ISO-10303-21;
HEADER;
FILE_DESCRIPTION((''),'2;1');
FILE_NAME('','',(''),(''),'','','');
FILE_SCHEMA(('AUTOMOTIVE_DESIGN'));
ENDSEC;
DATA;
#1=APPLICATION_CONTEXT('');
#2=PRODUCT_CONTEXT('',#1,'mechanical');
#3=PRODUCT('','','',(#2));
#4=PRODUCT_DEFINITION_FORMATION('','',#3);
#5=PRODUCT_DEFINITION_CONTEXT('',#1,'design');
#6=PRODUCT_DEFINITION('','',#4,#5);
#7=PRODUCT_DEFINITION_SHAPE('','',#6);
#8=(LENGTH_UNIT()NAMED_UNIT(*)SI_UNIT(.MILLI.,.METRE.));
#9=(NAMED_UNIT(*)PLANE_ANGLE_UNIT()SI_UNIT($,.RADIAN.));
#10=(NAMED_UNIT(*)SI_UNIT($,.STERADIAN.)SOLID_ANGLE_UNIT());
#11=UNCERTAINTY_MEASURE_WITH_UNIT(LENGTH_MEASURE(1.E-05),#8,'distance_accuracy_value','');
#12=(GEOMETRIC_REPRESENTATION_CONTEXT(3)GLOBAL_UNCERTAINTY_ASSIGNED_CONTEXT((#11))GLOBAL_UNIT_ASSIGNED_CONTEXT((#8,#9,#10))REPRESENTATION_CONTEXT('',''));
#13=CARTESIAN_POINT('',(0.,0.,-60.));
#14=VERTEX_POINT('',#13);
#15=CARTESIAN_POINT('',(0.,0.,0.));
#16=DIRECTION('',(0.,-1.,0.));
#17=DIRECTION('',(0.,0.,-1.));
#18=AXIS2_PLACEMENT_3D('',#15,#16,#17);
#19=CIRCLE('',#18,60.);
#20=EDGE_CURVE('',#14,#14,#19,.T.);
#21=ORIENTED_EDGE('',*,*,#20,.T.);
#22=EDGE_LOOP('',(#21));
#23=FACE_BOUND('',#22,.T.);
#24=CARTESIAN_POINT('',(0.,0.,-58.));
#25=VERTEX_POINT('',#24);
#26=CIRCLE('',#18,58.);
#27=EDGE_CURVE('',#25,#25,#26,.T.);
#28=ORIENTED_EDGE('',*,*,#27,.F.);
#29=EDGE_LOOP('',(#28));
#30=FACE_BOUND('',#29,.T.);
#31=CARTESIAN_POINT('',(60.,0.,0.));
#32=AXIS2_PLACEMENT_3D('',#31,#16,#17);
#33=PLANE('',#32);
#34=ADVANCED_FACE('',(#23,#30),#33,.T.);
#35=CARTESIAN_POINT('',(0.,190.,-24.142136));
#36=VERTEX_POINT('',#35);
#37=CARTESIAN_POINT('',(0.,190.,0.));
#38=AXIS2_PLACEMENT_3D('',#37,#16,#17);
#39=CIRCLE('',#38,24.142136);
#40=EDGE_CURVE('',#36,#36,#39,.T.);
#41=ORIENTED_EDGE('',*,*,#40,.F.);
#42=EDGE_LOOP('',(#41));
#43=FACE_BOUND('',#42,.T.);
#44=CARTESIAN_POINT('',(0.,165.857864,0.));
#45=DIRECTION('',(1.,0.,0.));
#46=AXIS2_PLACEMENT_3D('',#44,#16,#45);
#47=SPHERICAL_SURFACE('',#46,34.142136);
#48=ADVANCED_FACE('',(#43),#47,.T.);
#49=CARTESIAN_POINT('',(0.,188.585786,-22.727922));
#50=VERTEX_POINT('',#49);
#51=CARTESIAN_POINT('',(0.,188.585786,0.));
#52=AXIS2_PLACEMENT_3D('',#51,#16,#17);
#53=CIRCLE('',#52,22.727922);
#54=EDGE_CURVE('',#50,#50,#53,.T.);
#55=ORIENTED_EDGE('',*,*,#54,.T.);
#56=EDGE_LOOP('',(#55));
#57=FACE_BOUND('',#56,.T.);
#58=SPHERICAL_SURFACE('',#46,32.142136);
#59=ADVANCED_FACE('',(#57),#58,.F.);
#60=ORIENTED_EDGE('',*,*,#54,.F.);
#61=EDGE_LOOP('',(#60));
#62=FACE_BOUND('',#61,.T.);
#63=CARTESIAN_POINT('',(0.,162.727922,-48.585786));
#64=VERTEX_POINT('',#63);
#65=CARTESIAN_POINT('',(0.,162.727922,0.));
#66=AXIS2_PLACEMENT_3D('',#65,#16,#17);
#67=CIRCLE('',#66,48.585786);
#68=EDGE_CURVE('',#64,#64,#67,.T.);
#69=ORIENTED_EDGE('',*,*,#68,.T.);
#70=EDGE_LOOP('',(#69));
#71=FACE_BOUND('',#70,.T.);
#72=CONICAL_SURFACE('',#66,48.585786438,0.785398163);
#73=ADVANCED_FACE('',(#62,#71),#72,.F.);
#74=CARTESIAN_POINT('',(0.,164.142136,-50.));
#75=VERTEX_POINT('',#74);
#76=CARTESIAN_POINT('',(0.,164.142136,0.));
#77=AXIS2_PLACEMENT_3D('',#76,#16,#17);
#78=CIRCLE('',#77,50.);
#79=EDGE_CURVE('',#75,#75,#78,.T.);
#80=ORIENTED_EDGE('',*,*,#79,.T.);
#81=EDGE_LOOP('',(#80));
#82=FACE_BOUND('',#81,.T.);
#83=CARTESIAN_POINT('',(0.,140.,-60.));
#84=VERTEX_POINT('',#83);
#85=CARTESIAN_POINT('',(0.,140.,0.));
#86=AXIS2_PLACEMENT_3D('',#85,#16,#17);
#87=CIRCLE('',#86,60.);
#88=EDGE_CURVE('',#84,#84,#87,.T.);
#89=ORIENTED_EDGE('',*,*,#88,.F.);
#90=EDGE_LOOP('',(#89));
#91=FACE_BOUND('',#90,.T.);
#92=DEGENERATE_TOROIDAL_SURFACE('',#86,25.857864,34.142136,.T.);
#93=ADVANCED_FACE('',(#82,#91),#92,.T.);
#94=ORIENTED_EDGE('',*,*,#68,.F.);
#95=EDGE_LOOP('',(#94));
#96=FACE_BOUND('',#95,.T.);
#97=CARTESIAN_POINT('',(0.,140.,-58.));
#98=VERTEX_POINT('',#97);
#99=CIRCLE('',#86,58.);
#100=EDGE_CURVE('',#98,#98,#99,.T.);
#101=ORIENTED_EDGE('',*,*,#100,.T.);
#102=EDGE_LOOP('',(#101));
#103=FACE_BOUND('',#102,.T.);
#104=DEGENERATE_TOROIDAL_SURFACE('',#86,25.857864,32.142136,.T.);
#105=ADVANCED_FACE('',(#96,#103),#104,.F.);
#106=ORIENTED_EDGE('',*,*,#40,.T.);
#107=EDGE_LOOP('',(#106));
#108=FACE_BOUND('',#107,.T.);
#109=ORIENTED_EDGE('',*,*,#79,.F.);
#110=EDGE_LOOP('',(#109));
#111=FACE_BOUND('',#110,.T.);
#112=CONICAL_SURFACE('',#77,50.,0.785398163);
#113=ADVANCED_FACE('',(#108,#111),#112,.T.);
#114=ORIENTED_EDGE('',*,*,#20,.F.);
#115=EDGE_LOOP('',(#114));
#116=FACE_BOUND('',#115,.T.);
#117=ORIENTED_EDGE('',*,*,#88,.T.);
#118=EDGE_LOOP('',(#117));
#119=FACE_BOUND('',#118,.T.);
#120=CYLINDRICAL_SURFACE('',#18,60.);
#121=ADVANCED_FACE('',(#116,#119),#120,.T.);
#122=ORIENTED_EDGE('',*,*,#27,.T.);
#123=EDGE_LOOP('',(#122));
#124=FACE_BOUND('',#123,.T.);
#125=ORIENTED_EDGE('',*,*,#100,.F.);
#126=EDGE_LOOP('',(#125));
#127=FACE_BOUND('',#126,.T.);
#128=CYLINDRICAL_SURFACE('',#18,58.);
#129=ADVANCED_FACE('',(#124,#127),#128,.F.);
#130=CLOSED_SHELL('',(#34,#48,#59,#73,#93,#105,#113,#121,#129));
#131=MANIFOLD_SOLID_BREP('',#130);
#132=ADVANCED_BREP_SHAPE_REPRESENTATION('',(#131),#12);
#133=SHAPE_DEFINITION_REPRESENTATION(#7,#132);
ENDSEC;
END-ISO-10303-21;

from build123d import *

# Parameters (mm, degrees)
SHELL1_T = -2


with BuildPart() as part:
    # Sketch1 → Revolve1 (revolve)
    with BuildSketch(Plane.XY, mode=Mode.PRIVATE) as revolve1_sk:
        with BuildLine():
            Line((50, 164.142135624), (24.142135624, 190))
            ThreePointArc((24.142135624, 190), (13.065629649, 197.401084675), (0, 200))
            Line((0, 200), (0, 140))
            Line((0, 140), (0, 0))
            Line((0, 0), (60, 0))
            Line((60, 0), (60, 140))
            ThreePointArc((60, 140), (57.401084675, 153.065629649), (50, 164.142135624))
        make_face()
    revolve(revolve1_sk.sketch.rotate(Axis((0, 0, 0), (0, 1, 0)), 90), axis=Axis((0, 0, 0), (0, 1, 0)))

    # Shell1
    shell1_openings = [part.faces().sort_by_distance(p)[0] for p in [
        (0, 0, 0),
    ]]
    offset(amount=SHELL1_T, openings=shell1_openings, kind=Kind.INTERSECTION)


solid = part.part
